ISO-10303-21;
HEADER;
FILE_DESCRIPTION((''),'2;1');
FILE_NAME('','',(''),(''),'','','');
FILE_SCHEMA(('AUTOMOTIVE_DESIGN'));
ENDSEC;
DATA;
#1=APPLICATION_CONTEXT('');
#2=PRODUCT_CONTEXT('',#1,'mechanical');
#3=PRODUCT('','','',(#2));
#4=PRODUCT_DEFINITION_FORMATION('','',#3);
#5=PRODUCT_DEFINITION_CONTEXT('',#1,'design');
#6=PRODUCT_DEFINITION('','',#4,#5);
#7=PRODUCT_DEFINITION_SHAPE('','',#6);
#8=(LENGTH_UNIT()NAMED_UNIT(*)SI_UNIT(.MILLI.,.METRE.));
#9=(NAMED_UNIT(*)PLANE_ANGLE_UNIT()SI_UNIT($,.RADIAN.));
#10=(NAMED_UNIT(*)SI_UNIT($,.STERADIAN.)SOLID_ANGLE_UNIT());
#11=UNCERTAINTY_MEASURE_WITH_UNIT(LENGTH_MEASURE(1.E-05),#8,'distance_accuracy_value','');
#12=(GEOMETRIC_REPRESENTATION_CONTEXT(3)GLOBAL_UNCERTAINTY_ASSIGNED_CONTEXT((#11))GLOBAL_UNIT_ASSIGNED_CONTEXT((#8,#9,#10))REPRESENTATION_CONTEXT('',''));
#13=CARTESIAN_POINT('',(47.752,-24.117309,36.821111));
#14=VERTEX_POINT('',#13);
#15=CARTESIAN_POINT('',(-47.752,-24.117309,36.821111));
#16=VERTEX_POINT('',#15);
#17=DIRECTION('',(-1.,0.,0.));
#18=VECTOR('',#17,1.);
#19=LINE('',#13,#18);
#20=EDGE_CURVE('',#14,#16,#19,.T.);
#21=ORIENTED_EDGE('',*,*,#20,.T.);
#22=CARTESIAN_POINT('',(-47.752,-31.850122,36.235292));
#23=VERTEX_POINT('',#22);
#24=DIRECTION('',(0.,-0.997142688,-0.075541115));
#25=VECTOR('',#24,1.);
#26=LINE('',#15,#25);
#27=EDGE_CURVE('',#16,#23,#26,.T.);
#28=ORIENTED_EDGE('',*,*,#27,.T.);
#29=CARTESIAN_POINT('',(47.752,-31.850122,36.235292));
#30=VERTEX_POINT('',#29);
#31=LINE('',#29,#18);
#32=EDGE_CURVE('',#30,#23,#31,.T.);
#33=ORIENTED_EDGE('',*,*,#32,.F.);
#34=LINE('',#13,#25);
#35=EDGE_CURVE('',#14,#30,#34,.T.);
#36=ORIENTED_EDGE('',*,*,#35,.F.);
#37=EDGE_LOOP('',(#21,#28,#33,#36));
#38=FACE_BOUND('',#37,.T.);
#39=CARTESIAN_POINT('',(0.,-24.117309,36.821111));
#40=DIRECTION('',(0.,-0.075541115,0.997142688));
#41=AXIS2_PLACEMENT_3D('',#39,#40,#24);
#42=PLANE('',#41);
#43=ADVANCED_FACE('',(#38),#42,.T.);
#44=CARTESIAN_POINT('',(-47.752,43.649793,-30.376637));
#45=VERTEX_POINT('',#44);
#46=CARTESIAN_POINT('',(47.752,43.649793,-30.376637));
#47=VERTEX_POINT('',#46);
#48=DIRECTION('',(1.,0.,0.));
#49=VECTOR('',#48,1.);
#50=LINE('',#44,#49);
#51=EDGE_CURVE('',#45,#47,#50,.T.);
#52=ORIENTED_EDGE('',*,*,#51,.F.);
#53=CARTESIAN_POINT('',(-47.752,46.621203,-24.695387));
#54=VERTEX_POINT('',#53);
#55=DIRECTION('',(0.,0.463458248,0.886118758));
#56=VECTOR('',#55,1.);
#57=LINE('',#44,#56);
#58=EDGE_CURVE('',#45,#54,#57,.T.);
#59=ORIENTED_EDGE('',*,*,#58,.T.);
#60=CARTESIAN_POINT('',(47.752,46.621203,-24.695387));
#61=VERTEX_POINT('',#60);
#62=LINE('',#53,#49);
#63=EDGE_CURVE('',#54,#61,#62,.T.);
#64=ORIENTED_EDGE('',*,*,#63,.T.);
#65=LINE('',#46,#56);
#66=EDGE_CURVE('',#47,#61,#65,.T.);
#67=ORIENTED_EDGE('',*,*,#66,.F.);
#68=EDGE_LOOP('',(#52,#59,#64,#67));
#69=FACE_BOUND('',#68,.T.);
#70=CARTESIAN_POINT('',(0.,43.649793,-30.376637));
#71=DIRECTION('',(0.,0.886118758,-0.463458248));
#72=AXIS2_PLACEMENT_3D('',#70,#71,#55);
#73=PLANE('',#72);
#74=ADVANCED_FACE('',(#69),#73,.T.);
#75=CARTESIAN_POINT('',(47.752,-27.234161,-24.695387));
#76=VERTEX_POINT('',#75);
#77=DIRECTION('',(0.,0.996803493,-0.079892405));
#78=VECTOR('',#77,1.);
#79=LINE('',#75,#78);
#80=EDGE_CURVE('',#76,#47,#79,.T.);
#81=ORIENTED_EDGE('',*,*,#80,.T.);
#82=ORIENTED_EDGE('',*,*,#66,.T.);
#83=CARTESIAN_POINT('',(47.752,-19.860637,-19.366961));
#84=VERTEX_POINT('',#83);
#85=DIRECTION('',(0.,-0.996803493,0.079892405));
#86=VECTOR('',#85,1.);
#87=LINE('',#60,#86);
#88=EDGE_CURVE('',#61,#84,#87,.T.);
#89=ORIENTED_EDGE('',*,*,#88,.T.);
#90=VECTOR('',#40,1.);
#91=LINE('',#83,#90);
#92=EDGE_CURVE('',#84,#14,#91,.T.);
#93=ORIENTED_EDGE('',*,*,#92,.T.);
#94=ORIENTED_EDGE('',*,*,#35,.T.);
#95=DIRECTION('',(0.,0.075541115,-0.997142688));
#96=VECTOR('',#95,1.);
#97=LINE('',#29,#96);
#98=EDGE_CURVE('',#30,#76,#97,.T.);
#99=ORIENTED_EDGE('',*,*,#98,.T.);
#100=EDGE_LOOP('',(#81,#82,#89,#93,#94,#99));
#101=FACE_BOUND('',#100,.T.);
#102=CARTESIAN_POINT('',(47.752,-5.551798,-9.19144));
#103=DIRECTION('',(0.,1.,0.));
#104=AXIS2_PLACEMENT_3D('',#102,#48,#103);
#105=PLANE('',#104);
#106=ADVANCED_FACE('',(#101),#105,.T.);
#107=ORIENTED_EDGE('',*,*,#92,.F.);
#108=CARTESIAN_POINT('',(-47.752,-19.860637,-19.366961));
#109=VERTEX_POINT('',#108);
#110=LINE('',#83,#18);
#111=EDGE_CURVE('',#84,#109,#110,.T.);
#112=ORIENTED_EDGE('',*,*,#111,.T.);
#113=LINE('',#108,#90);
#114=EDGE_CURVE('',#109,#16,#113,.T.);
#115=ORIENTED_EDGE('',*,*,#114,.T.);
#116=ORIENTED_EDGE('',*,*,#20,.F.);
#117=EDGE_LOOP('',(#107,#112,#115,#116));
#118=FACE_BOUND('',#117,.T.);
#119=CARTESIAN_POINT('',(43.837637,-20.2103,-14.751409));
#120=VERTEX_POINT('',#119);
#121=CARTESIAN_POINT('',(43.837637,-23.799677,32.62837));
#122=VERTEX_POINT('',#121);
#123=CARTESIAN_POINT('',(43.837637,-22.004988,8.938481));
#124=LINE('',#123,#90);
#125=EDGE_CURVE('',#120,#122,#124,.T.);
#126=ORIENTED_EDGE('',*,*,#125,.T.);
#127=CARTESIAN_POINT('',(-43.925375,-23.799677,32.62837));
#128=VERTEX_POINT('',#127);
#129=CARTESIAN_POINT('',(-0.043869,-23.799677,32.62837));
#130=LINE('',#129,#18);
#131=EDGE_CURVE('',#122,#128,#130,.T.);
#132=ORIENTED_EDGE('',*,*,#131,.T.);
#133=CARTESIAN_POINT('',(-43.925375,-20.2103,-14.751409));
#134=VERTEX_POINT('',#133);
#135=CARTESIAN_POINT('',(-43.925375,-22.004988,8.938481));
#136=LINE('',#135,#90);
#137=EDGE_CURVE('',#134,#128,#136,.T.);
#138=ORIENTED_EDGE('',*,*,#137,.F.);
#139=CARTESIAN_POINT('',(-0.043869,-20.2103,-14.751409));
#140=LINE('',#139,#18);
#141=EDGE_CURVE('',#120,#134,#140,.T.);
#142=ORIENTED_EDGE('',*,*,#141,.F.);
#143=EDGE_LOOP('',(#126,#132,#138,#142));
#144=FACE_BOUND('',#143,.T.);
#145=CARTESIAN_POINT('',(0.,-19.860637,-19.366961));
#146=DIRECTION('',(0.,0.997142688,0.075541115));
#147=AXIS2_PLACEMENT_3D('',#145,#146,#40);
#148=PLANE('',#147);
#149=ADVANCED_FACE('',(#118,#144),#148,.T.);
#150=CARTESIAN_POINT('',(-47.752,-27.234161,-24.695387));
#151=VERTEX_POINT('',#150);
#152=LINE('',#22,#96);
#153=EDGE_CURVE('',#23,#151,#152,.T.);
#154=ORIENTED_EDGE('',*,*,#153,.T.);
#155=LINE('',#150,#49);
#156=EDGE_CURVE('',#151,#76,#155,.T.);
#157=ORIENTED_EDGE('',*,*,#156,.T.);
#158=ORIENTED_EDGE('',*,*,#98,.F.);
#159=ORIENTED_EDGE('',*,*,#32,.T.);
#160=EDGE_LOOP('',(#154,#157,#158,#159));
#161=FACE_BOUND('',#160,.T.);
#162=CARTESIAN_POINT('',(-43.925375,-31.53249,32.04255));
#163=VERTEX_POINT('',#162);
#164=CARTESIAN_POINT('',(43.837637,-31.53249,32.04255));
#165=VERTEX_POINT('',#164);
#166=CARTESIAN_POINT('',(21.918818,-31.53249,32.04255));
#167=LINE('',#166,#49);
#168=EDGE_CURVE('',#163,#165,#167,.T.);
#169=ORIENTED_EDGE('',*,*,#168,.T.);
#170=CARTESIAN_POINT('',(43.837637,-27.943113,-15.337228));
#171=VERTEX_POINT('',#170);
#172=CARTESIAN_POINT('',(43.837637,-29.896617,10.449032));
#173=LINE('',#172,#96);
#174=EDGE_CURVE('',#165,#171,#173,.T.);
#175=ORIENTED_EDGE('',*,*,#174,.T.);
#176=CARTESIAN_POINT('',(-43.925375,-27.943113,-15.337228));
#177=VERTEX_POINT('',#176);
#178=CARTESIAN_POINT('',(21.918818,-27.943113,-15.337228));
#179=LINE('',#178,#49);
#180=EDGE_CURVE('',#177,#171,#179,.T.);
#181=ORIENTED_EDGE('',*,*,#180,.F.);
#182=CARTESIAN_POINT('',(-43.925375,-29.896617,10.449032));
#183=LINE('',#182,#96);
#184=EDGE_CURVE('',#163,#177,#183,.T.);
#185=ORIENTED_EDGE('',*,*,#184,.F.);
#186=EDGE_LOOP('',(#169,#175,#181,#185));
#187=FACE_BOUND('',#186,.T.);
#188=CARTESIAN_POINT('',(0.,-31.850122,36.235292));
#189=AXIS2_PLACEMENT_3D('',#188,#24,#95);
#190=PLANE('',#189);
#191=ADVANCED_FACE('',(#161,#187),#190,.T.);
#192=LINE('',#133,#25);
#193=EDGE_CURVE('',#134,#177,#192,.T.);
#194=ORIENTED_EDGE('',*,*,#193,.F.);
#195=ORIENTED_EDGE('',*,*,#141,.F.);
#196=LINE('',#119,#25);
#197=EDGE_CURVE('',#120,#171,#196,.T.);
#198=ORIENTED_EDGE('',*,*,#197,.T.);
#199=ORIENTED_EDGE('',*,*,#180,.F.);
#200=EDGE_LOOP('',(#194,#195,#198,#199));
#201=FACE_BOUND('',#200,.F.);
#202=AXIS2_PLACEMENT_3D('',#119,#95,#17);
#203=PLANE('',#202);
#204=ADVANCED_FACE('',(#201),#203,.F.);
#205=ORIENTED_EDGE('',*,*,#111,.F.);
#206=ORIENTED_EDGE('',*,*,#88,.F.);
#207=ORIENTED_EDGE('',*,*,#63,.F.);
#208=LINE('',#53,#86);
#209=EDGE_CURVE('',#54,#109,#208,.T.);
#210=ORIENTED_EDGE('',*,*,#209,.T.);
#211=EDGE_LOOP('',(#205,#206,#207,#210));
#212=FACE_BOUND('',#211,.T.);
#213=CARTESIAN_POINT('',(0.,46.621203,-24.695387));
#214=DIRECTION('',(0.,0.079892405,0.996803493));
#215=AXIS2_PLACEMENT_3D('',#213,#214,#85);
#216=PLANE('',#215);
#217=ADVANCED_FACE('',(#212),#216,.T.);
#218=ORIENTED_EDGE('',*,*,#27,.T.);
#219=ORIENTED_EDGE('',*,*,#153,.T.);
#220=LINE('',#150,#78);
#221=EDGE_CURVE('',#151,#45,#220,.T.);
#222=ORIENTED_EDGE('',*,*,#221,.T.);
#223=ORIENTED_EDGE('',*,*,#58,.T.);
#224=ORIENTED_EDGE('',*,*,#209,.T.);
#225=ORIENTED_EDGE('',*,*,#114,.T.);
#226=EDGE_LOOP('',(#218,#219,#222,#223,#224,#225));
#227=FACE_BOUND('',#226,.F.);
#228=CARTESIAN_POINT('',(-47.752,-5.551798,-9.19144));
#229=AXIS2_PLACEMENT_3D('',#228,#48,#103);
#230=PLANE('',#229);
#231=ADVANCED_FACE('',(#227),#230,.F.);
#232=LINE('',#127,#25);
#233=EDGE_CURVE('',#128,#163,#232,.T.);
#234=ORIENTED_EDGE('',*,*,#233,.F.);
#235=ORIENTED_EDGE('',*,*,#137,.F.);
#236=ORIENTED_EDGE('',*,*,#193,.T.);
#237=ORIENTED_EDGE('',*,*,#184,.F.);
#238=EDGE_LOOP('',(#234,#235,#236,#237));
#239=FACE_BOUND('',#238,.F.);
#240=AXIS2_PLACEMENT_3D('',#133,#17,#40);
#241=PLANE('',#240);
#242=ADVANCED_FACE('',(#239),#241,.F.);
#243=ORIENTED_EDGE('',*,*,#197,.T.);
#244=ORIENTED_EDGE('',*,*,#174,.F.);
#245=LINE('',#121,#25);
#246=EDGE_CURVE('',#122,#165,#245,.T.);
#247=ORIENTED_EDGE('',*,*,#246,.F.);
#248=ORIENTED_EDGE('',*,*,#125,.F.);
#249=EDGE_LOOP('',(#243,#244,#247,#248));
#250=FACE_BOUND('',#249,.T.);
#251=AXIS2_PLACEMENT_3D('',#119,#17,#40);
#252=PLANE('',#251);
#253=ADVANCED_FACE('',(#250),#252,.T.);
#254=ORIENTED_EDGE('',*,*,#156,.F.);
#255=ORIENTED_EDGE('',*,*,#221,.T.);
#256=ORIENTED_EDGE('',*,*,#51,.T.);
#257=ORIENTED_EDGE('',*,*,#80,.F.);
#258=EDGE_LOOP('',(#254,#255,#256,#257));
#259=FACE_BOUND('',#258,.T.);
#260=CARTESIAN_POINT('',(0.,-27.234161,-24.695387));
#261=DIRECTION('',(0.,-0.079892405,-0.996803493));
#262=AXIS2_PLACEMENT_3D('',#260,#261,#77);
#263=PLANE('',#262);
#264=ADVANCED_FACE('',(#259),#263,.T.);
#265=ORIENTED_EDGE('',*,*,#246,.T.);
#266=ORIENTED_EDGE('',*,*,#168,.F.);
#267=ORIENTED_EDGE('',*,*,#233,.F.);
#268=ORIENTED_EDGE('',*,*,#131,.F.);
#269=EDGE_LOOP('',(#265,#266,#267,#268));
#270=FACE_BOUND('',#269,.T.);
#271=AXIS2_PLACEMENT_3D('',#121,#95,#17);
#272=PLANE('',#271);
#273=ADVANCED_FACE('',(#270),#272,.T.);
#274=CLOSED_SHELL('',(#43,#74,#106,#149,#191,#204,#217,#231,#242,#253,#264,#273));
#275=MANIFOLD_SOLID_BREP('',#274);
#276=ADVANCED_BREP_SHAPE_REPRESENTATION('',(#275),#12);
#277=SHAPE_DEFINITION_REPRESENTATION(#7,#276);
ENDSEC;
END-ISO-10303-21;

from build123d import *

# Parameters (mm, degrees)
F1_DEPTH = 47.752
F2_W     = 87.7630114555
F2_H     = 47.5155450404
F3_DEPTH = 32.004


with BuildPart() as f1:
    # F0 (on Right) → F1 (new body, symmetric)
    with BuildSketch(Plane.YZ):
        Polygon((-31.8501219153, 36.2352915108), (-27.2341612726, -24.6953871101), (43.6497934896, -30.3766369124), (46.6212034225, -24.6953871101), (-19.860636737, -19.3669606344), (-24.1173089374, 36.8211106937), align=None)
    extrude(amount=F1_DEPTH, both=True)

    # F2 (on face) → F3 (cut)
    with BuildSketch(Plane(origin=(0, -21.2061243549, -1.6065246214), x_dir=(-1, 0, 0), z_dir=(0, 0.9971426879, 0.075541115))):
        with Locations((0.0438690186, 10.5752218515)):
            Rectangle(F2_W, F2_H)
    extrude(amount=-F3_DEPTH, mode=Mode.SUBTRACT)


solid = f1.part
